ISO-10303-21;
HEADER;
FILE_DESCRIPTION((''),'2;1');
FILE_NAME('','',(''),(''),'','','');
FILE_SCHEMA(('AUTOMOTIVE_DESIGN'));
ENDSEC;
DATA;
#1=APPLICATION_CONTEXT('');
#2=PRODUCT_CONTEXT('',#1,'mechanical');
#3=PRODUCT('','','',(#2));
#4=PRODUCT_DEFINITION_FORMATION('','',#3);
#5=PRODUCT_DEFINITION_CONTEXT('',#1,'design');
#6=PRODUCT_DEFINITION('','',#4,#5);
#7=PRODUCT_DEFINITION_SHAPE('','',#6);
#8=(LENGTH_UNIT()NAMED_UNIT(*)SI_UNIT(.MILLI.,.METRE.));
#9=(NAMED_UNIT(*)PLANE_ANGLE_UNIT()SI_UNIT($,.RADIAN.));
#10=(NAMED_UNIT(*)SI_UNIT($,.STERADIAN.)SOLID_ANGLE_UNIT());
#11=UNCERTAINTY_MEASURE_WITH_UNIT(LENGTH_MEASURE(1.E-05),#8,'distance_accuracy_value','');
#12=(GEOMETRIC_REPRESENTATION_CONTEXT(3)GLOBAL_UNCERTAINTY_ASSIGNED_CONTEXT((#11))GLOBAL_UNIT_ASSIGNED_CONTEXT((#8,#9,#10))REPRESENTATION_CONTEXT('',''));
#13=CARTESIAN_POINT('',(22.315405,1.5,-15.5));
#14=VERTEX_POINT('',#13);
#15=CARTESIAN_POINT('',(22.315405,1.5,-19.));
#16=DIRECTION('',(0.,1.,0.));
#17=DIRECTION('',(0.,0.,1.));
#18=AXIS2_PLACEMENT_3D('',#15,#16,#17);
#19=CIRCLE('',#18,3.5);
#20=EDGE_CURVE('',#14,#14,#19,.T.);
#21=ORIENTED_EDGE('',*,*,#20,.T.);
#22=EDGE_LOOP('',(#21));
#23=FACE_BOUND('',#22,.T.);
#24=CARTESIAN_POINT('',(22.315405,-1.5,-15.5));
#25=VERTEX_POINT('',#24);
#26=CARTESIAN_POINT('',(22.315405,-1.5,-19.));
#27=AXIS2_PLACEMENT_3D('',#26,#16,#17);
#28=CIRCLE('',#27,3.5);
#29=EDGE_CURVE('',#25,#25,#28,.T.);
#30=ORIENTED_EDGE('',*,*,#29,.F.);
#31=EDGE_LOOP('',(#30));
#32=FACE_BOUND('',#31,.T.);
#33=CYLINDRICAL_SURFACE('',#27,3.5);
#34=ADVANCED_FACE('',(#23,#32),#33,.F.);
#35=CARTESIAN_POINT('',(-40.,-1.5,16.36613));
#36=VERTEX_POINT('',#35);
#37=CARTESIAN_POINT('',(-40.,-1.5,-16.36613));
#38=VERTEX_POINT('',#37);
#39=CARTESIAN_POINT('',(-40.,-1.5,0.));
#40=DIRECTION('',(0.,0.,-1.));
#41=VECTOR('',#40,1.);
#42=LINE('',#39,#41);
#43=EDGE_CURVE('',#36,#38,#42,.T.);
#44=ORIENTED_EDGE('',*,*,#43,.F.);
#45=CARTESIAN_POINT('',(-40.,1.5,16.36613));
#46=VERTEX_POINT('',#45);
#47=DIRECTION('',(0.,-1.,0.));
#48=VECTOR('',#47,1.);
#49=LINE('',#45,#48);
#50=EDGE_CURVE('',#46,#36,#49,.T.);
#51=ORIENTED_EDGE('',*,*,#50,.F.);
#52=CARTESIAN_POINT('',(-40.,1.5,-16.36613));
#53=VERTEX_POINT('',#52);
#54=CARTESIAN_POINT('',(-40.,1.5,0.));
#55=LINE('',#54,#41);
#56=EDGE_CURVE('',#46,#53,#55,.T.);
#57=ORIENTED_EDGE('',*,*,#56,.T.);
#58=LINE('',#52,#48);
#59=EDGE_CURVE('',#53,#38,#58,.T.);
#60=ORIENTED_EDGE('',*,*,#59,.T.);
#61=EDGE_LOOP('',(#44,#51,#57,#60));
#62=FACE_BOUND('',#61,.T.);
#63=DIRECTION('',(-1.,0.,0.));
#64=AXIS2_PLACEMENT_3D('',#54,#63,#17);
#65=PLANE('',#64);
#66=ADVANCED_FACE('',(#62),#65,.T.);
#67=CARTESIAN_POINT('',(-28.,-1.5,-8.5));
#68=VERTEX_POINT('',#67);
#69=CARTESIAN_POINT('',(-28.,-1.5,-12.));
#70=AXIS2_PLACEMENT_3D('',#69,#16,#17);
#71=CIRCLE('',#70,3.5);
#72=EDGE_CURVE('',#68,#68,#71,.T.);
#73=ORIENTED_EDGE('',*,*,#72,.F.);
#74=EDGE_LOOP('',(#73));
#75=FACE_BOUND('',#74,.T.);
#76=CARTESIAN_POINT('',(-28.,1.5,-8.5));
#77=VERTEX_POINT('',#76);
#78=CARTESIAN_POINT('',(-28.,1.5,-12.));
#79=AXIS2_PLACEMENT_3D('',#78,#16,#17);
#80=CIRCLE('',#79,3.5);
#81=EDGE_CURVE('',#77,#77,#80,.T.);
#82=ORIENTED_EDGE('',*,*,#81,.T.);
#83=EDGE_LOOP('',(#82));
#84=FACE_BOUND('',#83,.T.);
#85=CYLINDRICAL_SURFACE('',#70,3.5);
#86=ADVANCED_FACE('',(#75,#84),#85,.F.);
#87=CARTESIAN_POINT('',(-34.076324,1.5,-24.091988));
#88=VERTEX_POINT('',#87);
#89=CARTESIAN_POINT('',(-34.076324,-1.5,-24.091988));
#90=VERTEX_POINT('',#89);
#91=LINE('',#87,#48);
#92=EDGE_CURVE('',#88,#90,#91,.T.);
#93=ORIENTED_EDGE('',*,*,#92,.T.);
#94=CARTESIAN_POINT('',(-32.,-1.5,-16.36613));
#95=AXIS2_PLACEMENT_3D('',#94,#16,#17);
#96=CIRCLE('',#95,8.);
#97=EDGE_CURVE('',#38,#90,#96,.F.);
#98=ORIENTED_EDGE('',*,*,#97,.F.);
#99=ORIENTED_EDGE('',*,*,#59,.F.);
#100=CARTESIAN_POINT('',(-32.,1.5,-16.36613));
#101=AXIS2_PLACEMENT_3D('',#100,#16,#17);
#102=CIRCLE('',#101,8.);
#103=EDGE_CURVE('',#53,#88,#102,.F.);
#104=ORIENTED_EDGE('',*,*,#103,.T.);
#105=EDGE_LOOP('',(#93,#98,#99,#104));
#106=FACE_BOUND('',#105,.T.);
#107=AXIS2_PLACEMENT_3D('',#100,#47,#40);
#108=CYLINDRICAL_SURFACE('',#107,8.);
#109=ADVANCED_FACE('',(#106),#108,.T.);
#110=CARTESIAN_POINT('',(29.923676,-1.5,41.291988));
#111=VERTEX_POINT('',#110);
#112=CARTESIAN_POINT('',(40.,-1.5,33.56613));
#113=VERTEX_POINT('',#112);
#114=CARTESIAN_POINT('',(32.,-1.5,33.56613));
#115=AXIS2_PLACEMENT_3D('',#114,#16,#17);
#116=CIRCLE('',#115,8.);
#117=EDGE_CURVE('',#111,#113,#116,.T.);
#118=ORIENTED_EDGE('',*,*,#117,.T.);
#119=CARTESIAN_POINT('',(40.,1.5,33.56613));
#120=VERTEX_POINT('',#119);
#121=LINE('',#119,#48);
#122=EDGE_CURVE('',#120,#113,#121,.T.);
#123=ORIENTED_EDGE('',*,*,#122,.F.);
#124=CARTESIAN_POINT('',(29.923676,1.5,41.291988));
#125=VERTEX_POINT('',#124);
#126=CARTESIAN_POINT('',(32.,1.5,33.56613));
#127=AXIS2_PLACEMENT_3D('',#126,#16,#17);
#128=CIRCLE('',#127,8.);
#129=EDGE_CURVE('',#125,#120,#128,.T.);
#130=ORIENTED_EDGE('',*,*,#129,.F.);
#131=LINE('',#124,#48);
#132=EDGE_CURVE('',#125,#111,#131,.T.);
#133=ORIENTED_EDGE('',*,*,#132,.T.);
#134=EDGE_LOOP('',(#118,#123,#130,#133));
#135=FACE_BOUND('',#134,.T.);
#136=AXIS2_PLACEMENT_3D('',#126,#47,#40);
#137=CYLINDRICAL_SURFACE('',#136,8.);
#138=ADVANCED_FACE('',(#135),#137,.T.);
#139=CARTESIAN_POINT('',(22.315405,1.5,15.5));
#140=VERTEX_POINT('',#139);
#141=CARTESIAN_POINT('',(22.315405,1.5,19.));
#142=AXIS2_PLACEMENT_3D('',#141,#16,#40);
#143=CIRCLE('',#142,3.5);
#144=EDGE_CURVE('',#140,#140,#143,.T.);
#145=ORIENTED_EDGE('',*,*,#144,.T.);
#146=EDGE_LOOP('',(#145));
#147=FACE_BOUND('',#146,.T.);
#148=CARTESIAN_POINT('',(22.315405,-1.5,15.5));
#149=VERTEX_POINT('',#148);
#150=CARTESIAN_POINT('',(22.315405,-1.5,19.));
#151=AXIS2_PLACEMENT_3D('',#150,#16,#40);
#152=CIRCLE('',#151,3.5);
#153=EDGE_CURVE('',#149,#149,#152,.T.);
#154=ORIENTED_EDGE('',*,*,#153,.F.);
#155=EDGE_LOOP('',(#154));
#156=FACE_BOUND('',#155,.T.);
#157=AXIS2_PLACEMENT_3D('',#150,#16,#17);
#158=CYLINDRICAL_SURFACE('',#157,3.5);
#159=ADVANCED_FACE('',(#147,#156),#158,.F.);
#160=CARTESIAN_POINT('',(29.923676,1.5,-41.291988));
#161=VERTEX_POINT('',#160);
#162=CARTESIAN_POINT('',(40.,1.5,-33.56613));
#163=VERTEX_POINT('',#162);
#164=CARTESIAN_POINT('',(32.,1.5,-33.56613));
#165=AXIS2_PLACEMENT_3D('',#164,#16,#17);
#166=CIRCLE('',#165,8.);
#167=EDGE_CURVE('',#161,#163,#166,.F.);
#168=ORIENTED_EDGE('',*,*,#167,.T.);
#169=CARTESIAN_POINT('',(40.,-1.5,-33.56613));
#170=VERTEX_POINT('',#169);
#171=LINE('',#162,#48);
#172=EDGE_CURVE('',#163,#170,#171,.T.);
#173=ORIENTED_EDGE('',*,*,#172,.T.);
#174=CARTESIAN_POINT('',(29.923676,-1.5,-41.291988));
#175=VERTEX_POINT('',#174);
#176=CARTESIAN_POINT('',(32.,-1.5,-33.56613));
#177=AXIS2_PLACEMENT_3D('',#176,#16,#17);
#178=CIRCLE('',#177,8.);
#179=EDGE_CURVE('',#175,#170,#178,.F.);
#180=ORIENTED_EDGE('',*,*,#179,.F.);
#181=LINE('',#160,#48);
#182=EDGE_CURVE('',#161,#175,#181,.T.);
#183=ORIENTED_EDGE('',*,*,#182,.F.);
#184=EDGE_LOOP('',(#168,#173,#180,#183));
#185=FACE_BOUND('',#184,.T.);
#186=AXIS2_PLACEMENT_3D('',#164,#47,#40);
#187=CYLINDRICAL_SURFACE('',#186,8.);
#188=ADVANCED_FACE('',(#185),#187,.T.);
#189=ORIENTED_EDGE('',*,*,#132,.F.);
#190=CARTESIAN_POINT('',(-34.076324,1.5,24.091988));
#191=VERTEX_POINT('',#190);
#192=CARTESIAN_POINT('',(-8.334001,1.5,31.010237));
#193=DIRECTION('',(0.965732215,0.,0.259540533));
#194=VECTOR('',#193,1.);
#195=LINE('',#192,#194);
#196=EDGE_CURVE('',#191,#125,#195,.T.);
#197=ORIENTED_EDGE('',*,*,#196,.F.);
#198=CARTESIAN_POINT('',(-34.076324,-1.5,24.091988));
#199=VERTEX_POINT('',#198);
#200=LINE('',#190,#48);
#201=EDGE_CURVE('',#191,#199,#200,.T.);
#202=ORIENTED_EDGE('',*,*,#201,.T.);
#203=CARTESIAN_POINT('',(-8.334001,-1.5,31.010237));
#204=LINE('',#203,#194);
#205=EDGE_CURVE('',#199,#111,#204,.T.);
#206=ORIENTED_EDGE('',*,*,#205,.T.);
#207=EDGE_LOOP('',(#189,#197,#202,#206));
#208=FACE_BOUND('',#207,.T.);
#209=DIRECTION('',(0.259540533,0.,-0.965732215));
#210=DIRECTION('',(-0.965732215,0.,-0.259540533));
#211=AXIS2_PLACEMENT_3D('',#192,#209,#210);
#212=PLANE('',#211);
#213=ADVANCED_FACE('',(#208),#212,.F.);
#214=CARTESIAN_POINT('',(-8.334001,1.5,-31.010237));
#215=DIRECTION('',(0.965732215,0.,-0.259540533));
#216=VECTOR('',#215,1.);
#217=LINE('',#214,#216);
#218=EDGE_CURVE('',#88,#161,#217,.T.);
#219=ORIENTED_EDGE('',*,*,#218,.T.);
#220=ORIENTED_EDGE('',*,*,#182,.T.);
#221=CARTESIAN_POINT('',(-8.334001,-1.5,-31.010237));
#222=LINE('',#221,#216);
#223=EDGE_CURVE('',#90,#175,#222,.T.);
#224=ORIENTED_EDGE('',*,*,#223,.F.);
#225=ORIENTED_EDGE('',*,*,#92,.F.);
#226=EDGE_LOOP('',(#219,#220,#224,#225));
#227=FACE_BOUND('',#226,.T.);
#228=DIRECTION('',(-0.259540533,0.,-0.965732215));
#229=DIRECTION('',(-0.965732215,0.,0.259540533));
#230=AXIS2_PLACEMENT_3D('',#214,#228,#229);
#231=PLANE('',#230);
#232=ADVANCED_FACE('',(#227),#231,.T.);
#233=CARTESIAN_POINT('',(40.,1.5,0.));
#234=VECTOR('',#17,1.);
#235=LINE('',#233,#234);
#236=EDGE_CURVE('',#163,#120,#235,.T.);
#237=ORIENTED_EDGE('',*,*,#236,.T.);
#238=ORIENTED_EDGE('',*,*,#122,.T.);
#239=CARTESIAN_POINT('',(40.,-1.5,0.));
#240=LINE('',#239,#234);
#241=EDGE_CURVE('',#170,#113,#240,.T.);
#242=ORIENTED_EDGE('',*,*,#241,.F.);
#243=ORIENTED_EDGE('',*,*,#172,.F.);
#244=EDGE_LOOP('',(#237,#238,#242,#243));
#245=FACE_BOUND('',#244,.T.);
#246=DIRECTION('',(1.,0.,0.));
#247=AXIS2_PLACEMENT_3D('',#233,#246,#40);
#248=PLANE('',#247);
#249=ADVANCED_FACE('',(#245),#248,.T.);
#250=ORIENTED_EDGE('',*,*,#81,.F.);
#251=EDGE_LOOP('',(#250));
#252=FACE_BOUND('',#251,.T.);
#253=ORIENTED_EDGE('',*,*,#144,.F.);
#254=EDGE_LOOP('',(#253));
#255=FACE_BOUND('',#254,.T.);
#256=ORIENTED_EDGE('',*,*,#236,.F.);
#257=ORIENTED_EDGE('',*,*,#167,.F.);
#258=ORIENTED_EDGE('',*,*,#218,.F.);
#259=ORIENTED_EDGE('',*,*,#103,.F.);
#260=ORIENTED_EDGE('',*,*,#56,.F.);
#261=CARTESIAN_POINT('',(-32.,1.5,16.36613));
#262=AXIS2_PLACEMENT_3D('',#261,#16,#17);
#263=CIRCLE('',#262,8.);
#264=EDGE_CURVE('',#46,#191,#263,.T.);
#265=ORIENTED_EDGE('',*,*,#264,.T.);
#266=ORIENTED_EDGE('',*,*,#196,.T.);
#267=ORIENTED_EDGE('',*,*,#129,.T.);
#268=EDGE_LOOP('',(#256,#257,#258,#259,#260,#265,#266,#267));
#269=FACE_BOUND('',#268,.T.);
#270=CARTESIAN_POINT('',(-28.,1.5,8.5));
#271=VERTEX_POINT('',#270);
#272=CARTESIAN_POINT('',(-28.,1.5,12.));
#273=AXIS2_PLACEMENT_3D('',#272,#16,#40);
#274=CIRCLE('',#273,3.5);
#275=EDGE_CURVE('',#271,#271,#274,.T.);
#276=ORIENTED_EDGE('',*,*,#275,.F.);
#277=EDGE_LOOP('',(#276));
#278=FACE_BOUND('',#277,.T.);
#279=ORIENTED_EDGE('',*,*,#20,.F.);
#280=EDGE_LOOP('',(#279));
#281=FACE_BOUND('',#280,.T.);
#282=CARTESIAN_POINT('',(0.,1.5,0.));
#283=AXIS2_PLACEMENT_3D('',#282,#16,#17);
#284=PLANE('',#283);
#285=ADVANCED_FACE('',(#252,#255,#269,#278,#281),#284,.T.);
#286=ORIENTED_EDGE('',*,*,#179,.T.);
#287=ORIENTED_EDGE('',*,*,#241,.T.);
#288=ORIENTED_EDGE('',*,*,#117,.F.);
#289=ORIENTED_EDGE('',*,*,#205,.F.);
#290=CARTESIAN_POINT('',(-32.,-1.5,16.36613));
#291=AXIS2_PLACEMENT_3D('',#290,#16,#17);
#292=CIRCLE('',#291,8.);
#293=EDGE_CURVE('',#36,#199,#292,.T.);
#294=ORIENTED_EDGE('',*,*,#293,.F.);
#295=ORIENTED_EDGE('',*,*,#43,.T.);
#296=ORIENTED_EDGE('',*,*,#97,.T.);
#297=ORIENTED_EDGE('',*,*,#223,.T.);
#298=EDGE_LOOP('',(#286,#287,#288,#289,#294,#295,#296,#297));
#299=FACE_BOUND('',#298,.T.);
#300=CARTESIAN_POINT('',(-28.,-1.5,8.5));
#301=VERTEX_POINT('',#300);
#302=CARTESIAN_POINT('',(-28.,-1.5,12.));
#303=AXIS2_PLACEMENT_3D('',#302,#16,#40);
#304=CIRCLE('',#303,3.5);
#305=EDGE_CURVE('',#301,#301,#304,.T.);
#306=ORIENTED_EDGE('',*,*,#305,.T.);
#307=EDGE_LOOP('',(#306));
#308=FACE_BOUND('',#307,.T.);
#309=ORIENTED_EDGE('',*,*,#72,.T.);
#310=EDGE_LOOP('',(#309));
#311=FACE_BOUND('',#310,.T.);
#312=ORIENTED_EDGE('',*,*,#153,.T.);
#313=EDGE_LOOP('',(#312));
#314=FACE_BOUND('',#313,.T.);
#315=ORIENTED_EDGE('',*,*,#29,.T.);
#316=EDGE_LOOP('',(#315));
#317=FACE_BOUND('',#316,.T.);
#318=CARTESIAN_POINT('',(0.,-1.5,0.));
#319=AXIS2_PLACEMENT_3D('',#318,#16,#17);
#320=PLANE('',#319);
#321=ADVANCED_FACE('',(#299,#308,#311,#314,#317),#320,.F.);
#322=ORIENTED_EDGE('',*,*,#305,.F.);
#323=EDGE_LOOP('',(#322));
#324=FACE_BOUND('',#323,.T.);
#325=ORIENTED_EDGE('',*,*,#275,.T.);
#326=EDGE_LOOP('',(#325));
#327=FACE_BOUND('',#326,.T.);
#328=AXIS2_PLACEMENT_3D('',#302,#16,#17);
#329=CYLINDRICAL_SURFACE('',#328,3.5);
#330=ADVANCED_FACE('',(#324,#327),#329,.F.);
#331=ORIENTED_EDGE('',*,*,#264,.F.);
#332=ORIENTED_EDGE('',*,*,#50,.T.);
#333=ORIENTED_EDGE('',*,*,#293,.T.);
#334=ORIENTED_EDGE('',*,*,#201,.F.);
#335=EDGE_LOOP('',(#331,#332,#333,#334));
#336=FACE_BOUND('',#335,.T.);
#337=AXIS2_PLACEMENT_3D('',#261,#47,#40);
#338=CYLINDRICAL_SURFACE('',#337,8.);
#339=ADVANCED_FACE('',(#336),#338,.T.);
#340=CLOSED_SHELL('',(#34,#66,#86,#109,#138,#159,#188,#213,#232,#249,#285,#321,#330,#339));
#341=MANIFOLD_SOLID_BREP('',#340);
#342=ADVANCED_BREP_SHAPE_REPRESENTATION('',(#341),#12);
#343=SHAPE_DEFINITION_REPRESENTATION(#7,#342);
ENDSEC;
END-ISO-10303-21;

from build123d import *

# Parameters (mm, degrees)
BOSS_EXTRUDE2_DEPTH = 1.5
SKETCH3_R           = 3.5
CUT_EXTRUDE1_DEPTH  = 58.764549458


with BuildPart() as part:
    # Sketch1 → Boss-Extrude2 (new, symmetric)
    with BuildSketch(Plane(origin=(0, 0, 0), x_dir=(1, 0, 0), z_dir=(0, 1, 0))):
        with BuildLine():
            Line((-40, 0), (-40, -16.366130131))
            ThreePointArc((-40, -16.366130131), (-38.348645293, -21.23385064), (-34.076324263, -24.091987854))
            Line((-34.076324263, -24.091987854), (29.923675737, -41.291987854))
            ThreePointArc((29.923675737, -41.291987854), (36.867720508, -39.914775424), (40, -33.566130131))
            Line((40, -33.566130131), (40, 0))
            Line((40, 0), (-40, 0))
        make_face()
        with BuildLine():
            Line((-40, 16.366130131), (-40, 0))
            Line((-40, 0), (40, 0))
            Line((40, 0), (40, 33.566130131))
            ThreePointArc((40, 33.566130131), (36.867720508, 39.914775424), (29.923675737, 41.291987854))
            Line((29.923675737, 41.291987854), (-34.076324263, 24.091987854))
            ThreePointArc((-34.076324263, 24.091987854), (-38.348645293, 21.23385064), (-40, 16.366130131))
        make_face()
    extrude(amount=BOSS_EXTRUDE2_DEPTH, both=True)

    # Sketch3 → Cut-Extrude1 (cut, through all)
    with BuildSketch(Plane(origin=(0, 1.5, 0), x_dir=(1, 0, 0), z_dir=(0, 1, 0))):
        with Locations(Location((22.315405196, 19, 0), (0, 0, 270))):
            Circle(SKETCH3_R)
        with Locations(Location((-28, 12, 0), (0, 0, 270))):
            Circle(SKETCH3_R)
        with Locations(Location((22.315405196, -19, 0), (0, 0, 90))):
            Circle(SKETCH3_R)
        with Locations(Location((-28, -12, 0), (0, 0, 90))):
            Circle(SKETCH3_R)
    extrude(amount=-CUT_EXTRUDE1_DEPTH, mode=Mode.SUBTRACT)


solid = part.part
